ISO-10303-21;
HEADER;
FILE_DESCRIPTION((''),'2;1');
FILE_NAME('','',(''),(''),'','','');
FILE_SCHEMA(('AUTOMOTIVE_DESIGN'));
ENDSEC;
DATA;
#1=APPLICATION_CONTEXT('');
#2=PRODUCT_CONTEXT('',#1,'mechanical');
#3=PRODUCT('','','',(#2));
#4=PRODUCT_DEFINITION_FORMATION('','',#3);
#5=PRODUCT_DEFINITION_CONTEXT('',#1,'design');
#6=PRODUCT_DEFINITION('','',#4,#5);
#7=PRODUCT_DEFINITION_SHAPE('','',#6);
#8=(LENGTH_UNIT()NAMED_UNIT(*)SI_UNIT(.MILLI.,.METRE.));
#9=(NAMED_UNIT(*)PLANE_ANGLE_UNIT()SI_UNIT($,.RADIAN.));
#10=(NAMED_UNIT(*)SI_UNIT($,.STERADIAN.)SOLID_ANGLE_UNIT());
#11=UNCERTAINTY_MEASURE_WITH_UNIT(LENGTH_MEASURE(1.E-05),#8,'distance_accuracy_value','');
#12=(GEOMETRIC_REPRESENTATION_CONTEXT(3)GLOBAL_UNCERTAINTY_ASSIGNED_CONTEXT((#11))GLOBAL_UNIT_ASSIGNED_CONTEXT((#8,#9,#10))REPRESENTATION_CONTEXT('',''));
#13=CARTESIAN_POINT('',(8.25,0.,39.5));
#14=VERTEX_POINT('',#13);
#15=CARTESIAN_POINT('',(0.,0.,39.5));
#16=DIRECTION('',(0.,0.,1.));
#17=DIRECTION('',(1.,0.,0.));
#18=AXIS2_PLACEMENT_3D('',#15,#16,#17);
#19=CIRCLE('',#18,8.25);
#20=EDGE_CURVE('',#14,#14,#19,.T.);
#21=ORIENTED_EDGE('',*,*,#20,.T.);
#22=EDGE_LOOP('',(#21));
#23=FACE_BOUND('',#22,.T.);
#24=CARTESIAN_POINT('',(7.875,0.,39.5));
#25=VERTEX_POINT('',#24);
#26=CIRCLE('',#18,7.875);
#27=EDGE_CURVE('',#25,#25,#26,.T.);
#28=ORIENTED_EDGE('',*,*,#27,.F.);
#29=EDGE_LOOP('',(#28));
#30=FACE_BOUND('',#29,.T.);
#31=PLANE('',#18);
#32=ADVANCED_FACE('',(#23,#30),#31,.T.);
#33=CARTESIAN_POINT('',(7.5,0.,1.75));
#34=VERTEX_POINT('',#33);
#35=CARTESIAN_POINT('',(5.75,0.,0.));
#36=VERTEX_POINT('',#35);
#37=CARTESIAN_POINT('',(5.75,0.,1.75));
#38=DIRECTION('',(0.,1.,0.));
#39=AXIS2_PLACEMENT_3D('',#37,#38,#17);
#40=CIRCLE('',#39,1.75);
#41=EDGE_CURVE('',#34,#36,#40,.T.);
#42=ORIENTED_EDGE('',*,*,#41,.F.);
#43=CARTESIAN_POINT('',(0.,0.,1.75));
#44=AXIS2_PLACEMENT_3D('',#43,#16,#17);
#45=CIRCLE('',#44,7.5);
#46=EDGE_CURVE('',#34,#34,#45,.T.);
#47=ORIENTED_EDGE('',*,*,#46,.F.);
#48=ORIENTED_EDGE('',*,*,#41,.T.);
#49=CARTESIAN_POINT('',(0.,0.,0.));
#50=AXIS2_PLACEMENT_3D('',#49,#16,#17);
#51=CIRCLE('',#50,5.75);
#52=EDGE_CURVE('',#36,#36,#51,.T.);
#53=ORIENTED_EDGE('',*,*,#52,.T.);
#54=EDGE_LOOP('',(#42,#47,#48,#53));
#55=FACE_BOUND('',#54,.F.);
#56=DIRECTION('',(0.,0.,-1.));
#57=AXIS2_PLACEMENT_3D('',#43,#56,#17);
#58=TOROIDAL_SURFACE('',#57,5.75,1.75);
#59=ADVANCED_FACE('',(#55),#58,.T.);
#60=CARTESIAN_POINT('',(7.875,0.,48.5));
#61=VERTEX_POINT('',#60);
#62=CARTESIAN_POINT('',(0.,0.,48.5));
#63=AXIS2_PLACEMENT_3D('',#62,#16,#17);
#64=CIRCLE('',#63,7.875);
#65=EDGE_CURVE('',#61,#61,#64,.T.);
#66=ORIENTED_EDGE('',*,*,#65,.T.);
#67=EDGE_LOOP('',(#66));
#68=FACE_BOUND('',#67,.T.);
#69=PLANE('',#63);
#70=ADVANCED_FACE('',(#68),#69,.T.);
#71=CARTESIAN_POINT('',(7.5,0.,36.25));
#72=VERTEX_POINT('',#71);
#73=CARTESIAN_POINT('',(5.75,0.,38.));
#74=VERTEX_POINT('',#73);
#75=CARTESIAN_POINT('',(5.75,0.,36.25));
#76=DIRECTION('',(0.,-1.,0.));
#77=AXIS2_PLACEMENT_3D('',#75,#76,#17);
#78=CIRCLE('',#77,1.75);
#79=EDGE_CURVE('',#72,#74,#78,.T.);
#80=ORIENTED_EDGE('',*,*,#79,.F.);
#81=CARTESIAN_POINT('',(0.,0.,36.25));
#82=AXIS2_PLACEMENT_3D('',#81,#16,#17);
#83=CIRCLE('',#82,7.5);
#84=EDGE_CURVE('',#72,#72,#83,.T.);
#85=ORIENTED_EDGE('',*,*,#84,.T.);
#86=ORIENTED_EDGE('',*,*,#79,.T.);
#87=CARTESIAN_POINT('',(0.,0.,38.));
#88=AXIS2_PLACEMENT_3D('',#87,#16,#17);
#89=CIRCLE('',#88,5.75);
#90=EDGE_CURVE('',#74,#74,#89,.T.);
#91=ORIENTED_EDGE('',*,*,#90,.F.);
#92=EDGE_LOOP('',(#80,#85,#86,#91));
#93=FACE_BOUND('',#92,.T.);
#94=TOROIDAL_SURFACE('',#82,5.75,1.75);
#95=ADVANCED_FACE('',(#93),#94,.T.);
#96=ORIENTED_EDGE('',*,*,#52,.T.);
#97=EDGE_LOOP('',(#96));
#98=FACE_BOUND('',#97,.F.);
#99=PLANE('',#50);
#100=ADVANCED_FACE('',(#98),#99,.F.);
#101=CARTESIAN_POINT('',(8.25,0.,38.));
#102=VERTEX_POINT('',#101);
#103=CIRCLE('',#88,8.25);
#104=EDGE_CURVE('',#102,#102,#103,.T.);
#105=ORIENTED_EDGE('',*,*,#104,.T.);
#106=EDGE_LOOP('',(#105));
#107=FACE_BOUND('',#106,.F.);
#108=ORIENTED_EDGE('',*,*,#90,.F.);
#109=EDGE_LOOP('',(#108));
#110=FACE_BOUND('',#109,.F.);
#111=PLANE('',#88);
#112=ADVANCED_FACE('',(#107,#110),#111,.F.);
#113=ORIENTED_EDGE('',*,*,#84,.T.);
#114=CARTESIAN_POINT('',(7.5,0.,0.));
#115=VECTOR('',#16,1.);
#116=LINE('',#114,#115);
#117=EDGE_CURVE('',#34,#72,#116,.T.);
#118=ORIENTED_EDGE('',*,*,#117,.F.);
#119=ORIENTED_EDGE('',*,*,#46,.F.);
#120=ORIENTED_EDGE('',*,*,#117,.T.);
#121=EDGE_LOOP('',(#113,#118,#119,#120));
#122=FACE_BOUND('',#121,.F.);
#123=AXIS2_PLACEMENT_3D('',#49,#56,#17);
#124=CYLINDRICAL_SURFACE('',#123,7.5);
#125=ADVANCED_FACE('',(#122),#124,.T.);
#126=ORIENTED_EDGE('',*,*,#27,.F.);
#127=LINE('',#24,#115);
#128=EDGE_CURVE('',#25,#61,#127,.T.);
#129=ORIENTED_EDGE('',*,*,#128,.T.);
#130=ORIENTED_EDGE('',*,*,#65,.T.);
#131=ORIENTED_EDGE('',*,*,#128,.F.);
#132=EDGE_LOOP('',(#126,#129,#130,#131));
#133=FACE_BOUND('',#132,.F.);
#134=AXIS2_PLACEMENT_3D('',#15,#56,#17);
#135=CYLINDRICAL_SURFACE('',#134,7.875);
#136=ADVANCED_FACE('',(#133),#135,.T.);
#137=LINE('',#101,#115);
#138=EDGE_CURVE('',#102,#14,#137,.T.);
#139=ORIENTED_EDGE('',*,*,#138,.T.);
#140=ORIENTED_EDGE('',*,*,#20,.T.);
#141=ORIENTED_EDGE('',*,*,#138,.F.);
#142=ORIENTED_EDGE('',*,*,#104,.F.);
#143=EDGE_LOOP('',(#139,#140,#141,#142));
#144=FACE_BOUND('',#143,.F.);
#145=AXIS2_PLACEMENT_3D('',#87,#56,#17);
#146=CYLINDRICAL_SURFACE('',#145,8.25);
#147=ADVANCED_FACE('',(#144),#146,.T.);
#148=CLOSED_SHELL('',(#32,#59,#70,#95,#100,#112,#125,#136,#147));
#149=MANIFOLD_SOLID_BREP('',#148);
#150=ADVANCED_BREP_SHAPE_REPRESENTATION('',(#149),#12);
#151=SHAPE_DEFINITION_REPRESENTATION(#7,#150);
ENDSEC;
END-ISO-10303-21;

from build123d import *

# Parameters (mm, degrees)
F0_R     = 7.5
F1_DEPTH = 38
F3_R     = 1.75
F4_R     = 8.25
F5_DEPTH = 1.5
F6_R     = 7.875
F7_DEPTH = 9


with BuildPart() as f1:
    # F0 (on Top) → F1 (new body)
    with BuildSketch(Plane.XY):
        Circle(F0_R)
    extrude(amount=F1_DEPTH)

    # F3
    f3_edges = [f1.edges().sort_by_distance(p)[0] for p in [
        (-7.5, 0, 38),
        (-7.5, 0, 0),
    ]]
    fillet(f3_edges, radius=F3_R)

    # F4 (on face) → F5 (join)
    with BuildSketch(Plane.XY.offset(38)):
        Circle(F4_R)
    extrude(amount=F5_DEPTH)

    # F6 (on face) → F7 (join)
    with BuildSketch(Plane.XY.offset(39.5)):
        Circle(F6_R)
    extrude(amount=F7_DEPTH)


solid = f1.part
